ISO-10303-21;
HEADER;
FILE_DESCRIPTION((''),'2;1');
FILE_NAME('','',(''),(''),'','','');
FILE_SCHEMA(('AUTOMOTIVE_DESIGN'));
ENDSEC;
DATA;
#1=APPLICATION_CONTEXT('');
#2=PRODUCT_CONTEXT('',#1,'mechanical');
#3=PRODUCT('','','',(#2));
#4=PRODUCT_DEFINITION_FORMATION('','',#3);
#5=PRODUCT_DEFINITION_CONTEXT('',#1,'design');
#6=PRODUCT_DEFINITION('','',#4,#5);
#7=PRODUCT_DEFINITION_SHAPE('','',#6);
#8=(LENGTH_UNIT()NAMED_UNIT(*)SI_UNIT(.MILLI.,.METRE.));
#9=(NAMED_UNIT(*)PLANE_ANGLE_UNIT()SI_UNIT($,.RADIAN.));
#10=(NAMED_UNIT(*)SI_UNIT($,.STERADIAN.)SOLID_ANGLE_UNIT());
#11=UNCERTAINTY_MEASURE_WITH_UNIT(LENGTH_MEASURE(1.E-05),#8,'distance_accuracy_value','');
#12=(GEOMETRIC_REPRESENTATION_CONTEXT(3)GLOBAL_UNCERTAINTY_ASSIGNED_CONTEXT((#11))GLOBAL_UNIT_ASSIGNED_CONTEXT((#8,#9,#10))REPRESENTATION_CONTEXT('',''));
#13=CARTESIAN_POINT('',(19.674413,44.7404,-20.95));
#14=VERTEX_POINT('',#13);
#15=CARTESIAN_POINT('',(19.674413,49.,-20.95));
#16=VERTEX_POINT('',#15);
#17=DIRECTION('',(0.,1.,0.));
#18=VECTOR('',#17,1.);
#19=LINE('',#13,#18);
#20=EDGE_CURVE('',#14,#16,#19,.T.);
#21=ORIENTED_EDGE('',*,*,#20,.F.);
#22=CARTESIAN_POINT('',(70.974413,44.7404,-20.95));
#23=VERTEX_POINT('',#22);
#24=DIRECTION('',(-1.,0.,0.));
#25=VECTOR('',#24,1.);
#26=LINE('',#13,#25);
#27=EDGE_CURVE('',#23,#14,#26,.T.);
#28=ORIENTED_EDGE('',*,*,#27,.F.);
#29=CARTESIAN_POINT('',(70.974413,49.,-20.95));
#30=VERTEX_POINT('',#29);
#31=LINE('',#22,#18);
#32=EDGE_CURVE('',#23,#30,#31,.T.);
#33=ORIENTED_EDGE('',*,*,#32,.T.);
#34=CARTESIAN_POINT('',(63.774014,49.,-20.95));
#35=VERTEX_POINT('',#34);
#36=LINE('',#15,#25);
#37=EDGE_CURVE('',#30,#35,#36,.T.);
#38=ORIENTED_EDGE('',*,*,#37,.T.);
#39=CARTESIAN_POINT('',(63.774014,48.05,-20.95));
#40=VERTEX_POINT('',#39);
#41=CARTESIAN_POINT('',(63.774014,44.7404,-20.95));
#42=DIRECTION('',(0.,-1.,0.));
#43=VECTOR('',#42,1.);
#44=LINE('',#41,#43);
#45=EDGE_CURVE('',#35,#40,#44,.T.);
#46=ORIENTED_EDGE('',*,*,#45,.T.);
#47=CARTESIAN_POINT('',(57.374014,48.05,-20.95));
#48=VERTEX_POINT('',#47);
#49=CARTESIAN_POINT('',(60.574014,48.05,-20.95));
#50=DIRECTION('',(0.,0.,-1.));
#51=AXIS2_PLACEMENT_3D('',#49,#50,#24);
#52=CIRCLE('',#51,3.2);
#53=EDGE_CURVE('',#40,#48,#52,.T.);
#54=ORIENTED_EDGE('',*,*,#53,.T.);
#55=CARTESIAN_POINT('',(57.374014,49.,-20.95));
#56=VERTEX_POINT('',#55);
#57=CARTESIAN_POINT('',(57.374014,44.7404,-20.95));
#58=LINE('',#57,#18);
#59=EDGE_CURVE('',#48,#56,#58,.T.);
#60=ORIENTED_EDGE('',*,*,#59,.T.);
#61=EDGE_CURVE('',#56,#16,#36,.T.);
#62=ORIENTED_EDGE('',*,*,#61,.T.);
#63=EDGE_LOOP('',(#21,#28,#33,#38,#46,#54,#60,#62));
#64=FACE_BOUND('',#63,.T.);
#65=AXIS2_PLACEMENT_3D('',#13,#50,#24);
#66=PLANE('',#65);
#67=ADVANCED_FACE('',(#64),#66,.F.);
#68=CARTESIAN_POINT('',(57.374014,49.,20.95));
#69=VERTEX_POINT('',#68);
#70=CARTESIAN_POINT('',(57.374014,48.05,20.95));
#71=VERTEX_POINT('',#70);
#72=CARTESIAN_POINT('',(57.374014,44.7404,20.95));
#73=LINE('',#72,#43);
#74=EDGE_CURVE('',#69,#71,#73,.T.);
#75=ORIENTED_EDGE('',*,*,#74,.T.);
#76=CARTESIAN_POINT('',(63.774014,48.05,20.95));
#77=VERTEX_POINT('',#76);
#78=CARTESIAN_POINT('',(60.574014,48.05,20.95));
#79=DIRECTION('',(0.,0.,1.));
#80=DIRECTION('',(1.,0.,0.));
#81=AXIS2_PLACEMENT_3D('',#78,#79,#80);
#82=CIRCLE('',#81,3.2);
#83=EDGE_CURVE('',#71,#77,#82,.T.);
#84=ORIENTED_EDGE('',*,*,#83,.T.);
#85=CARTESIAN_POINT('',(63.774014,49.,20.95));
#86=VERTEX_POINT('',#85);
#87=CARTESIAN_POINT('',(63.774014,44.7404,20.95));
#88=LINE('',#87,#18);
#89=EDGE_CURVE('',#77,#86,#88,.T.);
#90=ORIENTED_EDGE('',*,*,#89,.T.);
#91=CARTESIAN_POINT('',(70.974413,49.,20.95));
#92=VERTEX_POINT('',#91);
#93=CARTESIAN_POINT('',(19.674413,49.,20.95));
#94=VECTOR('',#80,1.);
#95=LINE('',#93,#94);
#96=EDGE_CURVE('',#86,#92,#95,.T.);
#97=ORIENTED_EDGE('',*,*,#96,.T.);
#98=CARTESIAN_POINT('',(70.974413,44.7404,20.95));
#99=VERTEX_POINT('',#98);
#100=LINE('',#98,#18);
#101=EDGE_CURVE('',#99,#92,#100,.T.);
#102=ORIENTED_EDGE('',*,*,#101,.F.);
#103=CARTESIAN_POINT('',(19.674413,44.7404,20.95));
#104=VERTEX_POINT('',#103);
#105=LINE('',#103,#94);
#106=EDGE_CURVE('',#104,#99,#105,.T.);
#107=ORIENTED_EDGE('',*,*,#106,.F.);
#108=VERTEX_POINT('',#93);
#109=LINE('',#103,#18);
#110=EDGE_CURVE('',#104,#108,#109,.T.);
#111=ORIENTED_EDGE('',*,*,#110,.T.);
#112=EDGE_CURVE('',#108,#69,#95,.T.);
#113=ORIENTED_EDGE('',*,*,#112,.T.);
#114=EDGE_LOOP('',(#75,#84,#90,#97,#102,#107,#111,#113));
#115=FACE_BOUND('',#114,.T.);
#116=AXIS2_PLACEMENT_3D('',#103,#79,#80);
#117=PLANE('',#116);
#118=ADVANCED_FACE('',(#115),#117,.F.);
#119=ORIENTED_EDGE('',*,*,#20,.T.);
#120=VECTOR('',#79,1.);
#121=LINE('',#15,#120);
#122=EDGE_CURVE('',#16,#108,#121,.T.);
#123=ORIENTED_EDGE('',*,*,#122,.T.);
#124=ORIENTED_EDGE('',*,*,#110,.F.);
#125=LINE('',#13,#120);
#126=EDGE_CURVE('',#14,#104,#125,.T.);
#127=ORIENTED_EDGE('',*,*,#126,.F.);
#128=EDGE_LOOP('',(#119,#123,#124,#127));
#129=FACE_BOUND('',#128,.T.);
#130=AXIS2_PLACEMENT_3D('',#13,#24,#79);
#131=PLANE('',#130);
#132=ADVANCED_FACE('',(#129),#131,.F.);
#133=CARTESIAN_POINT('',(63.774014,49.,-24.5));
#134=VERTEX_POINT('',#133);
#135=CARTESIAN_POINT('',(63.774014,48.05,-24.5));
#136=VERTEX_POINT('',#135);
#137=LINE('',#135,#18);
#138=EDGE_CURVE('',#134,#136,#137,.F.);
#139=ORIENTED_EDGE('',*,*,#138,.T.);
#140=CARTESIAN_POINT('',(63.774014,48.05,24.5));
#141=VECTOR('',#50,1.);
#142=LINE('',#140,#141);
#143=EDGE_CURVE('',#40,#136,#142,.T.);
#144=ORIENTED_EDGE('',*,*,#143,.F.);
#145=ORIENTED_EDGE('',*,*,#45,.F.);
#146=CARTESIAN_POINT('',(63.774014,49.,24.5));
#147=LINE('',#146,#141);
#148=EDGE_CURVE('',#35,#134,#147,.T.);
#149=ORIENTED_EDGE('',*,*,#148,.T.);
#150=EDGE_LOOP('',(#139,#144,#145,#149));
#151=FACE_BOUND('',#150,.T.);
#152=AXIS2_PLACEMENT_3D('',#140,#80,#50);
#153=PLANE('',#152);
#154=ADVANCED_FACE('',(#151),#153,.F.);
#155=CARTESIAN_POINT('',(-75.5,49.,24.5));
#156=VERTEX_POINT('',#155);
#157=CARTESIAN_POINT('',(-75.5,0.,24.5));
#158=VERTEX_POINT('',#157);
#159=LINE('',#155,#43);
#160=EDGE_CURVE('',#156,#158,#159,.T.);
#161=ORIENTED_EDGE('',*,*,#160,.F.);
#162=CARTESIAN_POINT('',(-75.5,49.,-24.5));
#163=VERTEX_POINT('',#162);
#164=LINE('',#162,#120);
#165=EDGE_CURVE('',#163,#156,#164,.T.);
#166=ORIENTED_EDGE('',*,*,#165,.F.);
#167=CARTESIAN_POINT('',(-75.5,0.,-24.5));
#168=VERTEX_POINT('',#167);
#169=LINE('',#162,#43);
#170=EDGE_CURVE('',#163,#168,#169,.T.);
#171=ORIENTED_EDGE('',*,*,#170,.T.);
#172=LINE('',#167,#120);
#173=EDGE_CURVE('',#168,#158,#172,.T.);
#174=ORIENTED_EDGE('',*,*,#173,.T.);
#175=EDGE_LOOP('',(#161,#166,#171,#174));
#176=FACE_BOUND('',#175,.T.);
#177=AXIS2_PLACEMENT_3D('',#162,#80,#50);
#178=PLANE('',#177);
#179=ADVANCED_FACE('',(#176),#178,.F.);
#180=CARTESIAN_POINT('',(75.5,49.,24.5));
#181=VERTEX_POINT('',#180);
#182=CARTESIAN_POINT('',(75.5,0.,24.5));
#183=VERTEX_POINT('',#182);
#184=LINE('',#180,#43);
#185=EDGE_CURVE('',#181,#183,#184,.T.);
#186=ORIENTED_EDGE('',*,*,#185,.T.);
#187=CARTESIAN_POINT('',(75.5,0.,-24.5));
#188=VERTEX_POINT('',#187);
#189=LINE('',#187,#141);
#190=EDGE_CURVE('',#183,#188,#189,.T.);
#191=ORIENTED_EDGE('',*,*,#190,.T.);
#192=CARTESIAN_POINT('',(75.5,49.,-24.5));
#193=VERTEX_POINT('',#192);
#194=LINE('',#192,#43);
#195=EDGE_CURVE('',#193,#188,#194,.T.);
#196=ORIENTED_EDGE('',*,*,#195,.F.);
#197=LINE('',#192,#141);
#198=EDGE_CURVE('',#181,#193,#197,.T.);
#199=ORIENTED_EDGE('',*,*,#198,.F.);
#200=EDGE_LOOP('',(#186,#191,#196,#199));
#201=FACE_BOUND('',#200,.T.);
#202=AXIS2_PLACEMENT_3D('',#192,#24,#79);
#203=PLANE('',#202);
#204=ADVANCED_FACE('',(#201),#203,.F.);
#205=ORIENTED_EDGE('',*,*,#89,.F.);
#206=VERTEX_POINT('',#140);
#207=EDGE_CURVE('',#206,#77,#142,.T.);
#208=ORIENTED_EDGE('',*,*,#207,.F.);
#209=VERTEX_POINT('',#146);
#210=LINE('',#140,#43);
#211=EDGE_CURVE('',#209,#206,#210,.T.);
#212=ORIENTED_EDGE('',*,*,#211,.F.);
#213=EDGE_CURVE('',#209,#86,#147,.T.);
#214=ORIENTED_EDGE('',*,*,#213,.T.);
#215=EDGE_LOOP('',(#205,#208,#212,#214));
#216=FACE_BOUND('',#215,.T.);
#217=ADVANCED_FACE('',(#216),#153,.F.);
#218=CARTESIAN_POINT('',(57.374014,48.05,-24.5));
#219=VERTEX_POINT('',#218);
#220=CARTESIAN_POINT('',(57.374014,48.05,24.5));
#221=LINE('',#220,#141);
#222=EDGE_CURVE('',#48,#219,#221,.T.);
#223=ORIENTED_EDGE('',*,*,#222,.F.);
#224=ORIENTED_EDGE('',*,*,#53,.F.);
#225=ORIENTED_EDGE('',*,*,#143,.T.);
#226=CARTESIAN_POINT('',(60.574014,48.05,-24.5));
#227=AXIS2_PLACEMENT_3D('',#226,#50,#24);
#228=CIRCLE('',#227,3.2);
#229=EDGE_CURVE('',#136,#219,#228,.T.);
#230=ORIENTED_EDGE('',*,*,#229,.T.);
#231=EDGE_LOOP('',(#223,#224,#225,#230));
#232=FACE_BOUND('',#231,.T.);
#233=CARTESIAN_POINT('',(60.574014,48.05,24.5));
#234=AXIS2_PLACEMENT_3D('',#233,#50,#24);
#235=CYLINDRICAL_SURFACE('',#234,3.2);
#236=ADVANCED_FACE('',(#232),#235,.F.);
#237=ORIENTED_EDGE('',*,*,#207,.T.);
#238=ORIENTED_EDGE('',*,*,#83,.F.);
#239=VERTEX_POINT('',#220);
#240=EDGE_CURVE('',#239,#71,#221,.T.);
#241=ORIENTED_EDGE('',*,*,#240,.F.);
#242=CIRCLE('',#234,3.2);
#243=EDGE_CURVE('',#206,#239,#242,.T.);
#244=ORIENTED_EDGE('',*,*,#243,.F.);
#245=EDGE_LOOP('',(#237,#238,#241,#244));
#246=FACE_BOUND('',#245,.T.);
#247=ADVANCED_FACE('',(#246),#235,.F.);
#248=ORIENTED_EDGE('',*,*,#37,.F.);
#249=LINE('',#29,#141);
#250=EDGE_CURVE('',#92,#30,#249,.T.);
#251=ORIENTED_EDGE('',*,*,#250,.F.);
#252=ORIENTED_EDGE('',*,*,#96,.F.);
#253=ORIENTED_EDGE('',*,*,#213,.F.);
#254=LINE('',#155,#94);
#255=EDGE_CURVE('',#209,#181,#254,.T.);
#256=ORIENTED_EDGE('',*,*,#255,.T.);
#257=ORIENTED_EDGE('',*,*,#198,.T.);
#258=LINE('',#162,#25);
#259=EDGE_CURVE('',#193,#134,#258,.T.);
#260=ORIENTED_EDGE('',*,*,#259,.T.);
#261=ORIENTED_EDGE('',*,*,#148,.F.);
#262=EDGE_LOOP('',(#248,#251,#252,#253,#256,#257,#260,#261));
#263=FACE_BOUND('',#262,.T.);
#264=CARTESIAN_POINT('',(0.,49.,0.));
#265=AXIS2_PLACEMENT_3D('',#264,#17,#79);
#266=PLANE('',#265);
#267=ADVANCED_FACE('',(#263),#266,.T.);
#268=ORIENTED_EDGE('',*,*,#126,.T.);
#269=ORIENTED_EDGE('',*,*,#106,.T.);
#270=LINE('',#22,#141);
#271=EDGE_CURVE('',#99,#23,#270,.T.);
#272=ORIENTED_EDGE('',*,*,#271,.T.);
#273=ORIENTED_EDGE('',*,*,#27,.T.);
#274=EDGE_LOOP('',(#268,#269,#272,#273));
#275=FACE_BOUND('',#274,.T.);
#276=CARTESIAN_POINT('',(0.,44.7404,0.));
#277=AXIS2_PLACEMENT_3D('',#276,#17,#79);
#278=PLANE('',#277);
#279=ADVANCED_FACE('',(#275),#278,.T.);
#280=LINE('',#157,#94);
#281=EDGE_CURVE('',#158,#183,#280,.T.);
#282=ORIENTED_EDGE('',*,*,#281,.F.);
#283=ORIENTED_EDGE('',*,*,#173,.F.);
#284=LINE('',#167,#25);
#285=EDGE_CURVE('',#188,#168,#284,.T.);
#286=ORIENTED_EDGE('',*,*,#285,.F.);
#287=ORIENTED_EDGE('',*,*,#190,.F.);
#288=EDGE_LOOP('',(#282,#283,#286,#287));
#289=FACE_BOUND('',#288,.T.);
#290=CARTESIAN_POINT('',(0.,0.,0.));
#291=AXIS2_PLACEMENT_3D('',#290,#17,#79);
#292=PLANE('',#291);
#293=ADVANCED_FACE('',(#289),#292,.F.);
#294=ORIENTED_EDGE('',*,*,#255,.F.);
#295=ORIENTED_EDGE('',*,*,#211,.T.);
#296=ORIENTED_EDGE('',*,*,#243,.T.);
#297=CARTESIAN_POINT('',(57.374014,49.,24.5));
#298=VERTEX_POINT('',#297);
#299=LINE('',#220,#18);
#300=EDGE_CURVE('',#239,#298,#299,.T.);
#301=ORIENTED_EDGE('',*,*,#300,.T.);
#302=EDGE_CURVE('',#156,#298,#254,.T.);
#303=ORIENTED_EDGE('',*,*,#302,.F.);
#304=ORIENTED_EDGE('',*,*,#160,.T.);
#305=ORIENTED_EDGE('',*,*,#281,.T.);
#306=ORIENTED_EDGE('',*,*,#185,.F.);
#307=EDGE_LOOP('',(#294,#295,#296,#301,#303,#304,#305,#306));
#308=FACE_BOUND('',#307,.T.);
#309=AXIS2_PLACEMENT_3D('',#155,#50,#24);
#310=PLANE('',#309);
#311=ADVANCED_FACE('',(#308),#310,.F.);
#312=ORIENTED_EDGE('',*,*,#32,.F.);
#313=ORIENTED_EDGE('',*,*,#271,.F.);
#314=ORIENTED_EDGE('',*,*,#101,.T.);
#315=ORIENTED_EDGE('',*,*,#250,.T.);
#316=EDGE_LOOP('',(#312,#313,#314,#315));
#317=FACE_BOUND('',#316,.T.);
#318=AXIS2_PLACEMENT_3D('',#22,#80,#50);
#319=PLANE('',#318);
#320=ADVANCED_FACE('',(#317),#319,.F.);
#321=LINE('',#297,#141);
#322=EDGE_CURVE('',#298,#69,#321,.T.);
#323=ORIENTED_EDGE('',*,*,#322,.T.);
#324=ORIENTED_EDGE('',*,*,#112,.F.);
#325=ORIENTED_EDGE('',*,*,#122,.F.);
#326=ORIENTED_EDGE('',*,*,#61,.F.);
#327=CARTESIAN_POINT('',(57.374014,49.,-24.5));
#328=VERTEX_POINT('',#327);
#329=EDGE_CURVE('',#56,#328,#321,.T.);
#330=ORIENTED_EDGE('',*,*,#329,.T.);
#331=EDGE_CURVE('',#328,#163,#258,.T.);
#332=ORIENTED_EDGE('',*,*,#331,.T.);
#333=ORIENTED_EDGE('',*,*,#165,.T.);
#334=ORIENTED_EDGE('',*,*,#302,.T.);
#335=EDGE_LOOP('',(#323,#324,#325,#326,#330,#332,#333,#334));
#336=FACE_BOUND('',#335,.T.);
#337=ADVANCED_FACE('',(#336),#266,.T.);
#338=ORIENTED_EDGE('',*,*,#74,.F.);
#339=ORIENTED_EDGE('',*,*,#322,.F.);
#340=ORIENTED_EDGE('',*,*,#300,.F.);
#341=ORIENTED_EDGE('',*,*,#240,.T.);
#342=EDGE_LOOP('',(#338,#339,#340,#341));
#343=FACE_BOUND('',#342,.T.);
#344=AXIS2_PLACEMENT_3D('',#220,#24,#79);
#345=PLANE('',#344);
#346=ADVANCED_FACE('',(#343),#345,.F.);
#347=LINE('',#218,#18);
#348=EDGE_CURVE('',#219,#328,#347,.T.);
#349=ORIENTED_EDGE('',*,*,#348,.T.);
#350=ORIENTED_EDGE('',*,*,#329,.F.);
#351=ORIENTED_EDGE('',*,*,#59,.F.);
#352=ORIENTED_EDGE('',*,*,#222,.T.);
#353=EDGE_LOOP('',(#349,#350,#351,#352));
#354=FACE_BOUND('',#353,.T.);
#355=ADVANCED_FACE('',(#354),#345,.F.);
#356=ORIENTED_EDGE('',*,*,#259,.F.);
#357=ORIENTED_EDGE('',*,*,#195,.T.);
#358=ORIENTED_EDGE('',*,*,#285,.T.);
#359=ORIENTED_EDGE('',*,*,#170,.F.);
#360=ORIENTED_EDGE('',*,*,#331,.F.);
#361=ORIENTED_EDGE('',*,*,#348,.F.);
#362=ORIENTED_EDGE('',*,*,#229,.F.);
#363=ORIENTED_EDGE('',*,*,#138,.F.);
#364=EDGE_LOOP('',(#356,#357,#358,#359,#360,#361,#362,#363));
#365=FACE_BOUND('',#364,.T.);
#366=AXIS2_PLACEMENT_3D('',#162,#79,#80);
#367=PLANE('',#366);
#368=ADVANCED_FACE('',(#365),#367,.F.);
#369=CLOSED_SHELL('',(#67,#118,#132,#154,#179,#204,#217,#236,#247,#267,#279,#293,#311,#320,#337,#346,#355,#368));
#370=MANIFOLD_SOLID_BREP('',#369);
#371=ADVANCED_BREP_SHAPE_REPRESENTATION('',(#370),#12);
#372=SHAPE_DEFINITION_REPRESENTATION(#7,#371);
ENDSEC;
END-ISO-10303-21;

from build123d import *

# Parameters (mm, degrees)
SKETCH1_W               = 151
SKETCH1_H               = 49
BOSS_EXTRUDE1_DEPTH     = 49
SKETCH2_W               = 51.3
SKETCH2_H               = 41.9
CUT_EXTRUDE1_DEPTH      = 4.2596
CUT_EXTRUDE2_DEPTH      = 103.480485947
CUT_EXTRUDE2_DEPTH_BACK = 103.480485947


with BuildPart() as part:
    # Sketch1 → Boss-Extrude1 (new body)
    with BuildSketch(Plane(origin=(0, 0, 0), x_dir=(1, 0, 0), z_dir=(0, 1, 0))):
        Rectangle(SKETCH1_W, SKETCH1_H)
    extrude(amount=BOSS_EXTRUDE1_DEPTH)

    # Sketch2 → Cut-Extrude1 (cut)
    with BuildSketch(Plane(origin=(0, 49, 0), x_dir=(1, 0, 0), z_dir=(0, 1, 0))):
        with Locations((45.324412799, 0)):
            Rectangle(SKETCH2_W, SKETCH2_H)
    extrude(amount=-CUT_EXTRUDE1_DEPTH, mode=Mode.SUBTRACT)

    # Sketch6 → Cut-Extrude2 (cut, two sides: drawn at the far end of the back side and taken through both)
    with BuildSketch(Plane(origin=(0, 0, -24.5), x_dir=(-1, 0, 0), z_dir=(0, 0, -1)).offset(-CUT_EXTRUDE2_DEPTH_BACK)):
        with BuildLine():
            Line((-63.774014365, 48.05), (-63.774014365, 49))
            ThreePointArc((-63.774014365, 49), (-60.574014365, 52.2), (-57.374014365, 49))
            Line((-57.374014365, 49), (-57.374014365, 48.05))
            ThreePointArc((-57.374014365, 48.05), (-60.574014365, 44.85), (-63.774014365, 48.05))
        make_face()
    extrude(amount=CUT_EXTRUDE2_DEPTH + CUT_EXTRUDE2_DEPTH_BACK, mode=Mode.SUBTRACT)


solid = part.part
